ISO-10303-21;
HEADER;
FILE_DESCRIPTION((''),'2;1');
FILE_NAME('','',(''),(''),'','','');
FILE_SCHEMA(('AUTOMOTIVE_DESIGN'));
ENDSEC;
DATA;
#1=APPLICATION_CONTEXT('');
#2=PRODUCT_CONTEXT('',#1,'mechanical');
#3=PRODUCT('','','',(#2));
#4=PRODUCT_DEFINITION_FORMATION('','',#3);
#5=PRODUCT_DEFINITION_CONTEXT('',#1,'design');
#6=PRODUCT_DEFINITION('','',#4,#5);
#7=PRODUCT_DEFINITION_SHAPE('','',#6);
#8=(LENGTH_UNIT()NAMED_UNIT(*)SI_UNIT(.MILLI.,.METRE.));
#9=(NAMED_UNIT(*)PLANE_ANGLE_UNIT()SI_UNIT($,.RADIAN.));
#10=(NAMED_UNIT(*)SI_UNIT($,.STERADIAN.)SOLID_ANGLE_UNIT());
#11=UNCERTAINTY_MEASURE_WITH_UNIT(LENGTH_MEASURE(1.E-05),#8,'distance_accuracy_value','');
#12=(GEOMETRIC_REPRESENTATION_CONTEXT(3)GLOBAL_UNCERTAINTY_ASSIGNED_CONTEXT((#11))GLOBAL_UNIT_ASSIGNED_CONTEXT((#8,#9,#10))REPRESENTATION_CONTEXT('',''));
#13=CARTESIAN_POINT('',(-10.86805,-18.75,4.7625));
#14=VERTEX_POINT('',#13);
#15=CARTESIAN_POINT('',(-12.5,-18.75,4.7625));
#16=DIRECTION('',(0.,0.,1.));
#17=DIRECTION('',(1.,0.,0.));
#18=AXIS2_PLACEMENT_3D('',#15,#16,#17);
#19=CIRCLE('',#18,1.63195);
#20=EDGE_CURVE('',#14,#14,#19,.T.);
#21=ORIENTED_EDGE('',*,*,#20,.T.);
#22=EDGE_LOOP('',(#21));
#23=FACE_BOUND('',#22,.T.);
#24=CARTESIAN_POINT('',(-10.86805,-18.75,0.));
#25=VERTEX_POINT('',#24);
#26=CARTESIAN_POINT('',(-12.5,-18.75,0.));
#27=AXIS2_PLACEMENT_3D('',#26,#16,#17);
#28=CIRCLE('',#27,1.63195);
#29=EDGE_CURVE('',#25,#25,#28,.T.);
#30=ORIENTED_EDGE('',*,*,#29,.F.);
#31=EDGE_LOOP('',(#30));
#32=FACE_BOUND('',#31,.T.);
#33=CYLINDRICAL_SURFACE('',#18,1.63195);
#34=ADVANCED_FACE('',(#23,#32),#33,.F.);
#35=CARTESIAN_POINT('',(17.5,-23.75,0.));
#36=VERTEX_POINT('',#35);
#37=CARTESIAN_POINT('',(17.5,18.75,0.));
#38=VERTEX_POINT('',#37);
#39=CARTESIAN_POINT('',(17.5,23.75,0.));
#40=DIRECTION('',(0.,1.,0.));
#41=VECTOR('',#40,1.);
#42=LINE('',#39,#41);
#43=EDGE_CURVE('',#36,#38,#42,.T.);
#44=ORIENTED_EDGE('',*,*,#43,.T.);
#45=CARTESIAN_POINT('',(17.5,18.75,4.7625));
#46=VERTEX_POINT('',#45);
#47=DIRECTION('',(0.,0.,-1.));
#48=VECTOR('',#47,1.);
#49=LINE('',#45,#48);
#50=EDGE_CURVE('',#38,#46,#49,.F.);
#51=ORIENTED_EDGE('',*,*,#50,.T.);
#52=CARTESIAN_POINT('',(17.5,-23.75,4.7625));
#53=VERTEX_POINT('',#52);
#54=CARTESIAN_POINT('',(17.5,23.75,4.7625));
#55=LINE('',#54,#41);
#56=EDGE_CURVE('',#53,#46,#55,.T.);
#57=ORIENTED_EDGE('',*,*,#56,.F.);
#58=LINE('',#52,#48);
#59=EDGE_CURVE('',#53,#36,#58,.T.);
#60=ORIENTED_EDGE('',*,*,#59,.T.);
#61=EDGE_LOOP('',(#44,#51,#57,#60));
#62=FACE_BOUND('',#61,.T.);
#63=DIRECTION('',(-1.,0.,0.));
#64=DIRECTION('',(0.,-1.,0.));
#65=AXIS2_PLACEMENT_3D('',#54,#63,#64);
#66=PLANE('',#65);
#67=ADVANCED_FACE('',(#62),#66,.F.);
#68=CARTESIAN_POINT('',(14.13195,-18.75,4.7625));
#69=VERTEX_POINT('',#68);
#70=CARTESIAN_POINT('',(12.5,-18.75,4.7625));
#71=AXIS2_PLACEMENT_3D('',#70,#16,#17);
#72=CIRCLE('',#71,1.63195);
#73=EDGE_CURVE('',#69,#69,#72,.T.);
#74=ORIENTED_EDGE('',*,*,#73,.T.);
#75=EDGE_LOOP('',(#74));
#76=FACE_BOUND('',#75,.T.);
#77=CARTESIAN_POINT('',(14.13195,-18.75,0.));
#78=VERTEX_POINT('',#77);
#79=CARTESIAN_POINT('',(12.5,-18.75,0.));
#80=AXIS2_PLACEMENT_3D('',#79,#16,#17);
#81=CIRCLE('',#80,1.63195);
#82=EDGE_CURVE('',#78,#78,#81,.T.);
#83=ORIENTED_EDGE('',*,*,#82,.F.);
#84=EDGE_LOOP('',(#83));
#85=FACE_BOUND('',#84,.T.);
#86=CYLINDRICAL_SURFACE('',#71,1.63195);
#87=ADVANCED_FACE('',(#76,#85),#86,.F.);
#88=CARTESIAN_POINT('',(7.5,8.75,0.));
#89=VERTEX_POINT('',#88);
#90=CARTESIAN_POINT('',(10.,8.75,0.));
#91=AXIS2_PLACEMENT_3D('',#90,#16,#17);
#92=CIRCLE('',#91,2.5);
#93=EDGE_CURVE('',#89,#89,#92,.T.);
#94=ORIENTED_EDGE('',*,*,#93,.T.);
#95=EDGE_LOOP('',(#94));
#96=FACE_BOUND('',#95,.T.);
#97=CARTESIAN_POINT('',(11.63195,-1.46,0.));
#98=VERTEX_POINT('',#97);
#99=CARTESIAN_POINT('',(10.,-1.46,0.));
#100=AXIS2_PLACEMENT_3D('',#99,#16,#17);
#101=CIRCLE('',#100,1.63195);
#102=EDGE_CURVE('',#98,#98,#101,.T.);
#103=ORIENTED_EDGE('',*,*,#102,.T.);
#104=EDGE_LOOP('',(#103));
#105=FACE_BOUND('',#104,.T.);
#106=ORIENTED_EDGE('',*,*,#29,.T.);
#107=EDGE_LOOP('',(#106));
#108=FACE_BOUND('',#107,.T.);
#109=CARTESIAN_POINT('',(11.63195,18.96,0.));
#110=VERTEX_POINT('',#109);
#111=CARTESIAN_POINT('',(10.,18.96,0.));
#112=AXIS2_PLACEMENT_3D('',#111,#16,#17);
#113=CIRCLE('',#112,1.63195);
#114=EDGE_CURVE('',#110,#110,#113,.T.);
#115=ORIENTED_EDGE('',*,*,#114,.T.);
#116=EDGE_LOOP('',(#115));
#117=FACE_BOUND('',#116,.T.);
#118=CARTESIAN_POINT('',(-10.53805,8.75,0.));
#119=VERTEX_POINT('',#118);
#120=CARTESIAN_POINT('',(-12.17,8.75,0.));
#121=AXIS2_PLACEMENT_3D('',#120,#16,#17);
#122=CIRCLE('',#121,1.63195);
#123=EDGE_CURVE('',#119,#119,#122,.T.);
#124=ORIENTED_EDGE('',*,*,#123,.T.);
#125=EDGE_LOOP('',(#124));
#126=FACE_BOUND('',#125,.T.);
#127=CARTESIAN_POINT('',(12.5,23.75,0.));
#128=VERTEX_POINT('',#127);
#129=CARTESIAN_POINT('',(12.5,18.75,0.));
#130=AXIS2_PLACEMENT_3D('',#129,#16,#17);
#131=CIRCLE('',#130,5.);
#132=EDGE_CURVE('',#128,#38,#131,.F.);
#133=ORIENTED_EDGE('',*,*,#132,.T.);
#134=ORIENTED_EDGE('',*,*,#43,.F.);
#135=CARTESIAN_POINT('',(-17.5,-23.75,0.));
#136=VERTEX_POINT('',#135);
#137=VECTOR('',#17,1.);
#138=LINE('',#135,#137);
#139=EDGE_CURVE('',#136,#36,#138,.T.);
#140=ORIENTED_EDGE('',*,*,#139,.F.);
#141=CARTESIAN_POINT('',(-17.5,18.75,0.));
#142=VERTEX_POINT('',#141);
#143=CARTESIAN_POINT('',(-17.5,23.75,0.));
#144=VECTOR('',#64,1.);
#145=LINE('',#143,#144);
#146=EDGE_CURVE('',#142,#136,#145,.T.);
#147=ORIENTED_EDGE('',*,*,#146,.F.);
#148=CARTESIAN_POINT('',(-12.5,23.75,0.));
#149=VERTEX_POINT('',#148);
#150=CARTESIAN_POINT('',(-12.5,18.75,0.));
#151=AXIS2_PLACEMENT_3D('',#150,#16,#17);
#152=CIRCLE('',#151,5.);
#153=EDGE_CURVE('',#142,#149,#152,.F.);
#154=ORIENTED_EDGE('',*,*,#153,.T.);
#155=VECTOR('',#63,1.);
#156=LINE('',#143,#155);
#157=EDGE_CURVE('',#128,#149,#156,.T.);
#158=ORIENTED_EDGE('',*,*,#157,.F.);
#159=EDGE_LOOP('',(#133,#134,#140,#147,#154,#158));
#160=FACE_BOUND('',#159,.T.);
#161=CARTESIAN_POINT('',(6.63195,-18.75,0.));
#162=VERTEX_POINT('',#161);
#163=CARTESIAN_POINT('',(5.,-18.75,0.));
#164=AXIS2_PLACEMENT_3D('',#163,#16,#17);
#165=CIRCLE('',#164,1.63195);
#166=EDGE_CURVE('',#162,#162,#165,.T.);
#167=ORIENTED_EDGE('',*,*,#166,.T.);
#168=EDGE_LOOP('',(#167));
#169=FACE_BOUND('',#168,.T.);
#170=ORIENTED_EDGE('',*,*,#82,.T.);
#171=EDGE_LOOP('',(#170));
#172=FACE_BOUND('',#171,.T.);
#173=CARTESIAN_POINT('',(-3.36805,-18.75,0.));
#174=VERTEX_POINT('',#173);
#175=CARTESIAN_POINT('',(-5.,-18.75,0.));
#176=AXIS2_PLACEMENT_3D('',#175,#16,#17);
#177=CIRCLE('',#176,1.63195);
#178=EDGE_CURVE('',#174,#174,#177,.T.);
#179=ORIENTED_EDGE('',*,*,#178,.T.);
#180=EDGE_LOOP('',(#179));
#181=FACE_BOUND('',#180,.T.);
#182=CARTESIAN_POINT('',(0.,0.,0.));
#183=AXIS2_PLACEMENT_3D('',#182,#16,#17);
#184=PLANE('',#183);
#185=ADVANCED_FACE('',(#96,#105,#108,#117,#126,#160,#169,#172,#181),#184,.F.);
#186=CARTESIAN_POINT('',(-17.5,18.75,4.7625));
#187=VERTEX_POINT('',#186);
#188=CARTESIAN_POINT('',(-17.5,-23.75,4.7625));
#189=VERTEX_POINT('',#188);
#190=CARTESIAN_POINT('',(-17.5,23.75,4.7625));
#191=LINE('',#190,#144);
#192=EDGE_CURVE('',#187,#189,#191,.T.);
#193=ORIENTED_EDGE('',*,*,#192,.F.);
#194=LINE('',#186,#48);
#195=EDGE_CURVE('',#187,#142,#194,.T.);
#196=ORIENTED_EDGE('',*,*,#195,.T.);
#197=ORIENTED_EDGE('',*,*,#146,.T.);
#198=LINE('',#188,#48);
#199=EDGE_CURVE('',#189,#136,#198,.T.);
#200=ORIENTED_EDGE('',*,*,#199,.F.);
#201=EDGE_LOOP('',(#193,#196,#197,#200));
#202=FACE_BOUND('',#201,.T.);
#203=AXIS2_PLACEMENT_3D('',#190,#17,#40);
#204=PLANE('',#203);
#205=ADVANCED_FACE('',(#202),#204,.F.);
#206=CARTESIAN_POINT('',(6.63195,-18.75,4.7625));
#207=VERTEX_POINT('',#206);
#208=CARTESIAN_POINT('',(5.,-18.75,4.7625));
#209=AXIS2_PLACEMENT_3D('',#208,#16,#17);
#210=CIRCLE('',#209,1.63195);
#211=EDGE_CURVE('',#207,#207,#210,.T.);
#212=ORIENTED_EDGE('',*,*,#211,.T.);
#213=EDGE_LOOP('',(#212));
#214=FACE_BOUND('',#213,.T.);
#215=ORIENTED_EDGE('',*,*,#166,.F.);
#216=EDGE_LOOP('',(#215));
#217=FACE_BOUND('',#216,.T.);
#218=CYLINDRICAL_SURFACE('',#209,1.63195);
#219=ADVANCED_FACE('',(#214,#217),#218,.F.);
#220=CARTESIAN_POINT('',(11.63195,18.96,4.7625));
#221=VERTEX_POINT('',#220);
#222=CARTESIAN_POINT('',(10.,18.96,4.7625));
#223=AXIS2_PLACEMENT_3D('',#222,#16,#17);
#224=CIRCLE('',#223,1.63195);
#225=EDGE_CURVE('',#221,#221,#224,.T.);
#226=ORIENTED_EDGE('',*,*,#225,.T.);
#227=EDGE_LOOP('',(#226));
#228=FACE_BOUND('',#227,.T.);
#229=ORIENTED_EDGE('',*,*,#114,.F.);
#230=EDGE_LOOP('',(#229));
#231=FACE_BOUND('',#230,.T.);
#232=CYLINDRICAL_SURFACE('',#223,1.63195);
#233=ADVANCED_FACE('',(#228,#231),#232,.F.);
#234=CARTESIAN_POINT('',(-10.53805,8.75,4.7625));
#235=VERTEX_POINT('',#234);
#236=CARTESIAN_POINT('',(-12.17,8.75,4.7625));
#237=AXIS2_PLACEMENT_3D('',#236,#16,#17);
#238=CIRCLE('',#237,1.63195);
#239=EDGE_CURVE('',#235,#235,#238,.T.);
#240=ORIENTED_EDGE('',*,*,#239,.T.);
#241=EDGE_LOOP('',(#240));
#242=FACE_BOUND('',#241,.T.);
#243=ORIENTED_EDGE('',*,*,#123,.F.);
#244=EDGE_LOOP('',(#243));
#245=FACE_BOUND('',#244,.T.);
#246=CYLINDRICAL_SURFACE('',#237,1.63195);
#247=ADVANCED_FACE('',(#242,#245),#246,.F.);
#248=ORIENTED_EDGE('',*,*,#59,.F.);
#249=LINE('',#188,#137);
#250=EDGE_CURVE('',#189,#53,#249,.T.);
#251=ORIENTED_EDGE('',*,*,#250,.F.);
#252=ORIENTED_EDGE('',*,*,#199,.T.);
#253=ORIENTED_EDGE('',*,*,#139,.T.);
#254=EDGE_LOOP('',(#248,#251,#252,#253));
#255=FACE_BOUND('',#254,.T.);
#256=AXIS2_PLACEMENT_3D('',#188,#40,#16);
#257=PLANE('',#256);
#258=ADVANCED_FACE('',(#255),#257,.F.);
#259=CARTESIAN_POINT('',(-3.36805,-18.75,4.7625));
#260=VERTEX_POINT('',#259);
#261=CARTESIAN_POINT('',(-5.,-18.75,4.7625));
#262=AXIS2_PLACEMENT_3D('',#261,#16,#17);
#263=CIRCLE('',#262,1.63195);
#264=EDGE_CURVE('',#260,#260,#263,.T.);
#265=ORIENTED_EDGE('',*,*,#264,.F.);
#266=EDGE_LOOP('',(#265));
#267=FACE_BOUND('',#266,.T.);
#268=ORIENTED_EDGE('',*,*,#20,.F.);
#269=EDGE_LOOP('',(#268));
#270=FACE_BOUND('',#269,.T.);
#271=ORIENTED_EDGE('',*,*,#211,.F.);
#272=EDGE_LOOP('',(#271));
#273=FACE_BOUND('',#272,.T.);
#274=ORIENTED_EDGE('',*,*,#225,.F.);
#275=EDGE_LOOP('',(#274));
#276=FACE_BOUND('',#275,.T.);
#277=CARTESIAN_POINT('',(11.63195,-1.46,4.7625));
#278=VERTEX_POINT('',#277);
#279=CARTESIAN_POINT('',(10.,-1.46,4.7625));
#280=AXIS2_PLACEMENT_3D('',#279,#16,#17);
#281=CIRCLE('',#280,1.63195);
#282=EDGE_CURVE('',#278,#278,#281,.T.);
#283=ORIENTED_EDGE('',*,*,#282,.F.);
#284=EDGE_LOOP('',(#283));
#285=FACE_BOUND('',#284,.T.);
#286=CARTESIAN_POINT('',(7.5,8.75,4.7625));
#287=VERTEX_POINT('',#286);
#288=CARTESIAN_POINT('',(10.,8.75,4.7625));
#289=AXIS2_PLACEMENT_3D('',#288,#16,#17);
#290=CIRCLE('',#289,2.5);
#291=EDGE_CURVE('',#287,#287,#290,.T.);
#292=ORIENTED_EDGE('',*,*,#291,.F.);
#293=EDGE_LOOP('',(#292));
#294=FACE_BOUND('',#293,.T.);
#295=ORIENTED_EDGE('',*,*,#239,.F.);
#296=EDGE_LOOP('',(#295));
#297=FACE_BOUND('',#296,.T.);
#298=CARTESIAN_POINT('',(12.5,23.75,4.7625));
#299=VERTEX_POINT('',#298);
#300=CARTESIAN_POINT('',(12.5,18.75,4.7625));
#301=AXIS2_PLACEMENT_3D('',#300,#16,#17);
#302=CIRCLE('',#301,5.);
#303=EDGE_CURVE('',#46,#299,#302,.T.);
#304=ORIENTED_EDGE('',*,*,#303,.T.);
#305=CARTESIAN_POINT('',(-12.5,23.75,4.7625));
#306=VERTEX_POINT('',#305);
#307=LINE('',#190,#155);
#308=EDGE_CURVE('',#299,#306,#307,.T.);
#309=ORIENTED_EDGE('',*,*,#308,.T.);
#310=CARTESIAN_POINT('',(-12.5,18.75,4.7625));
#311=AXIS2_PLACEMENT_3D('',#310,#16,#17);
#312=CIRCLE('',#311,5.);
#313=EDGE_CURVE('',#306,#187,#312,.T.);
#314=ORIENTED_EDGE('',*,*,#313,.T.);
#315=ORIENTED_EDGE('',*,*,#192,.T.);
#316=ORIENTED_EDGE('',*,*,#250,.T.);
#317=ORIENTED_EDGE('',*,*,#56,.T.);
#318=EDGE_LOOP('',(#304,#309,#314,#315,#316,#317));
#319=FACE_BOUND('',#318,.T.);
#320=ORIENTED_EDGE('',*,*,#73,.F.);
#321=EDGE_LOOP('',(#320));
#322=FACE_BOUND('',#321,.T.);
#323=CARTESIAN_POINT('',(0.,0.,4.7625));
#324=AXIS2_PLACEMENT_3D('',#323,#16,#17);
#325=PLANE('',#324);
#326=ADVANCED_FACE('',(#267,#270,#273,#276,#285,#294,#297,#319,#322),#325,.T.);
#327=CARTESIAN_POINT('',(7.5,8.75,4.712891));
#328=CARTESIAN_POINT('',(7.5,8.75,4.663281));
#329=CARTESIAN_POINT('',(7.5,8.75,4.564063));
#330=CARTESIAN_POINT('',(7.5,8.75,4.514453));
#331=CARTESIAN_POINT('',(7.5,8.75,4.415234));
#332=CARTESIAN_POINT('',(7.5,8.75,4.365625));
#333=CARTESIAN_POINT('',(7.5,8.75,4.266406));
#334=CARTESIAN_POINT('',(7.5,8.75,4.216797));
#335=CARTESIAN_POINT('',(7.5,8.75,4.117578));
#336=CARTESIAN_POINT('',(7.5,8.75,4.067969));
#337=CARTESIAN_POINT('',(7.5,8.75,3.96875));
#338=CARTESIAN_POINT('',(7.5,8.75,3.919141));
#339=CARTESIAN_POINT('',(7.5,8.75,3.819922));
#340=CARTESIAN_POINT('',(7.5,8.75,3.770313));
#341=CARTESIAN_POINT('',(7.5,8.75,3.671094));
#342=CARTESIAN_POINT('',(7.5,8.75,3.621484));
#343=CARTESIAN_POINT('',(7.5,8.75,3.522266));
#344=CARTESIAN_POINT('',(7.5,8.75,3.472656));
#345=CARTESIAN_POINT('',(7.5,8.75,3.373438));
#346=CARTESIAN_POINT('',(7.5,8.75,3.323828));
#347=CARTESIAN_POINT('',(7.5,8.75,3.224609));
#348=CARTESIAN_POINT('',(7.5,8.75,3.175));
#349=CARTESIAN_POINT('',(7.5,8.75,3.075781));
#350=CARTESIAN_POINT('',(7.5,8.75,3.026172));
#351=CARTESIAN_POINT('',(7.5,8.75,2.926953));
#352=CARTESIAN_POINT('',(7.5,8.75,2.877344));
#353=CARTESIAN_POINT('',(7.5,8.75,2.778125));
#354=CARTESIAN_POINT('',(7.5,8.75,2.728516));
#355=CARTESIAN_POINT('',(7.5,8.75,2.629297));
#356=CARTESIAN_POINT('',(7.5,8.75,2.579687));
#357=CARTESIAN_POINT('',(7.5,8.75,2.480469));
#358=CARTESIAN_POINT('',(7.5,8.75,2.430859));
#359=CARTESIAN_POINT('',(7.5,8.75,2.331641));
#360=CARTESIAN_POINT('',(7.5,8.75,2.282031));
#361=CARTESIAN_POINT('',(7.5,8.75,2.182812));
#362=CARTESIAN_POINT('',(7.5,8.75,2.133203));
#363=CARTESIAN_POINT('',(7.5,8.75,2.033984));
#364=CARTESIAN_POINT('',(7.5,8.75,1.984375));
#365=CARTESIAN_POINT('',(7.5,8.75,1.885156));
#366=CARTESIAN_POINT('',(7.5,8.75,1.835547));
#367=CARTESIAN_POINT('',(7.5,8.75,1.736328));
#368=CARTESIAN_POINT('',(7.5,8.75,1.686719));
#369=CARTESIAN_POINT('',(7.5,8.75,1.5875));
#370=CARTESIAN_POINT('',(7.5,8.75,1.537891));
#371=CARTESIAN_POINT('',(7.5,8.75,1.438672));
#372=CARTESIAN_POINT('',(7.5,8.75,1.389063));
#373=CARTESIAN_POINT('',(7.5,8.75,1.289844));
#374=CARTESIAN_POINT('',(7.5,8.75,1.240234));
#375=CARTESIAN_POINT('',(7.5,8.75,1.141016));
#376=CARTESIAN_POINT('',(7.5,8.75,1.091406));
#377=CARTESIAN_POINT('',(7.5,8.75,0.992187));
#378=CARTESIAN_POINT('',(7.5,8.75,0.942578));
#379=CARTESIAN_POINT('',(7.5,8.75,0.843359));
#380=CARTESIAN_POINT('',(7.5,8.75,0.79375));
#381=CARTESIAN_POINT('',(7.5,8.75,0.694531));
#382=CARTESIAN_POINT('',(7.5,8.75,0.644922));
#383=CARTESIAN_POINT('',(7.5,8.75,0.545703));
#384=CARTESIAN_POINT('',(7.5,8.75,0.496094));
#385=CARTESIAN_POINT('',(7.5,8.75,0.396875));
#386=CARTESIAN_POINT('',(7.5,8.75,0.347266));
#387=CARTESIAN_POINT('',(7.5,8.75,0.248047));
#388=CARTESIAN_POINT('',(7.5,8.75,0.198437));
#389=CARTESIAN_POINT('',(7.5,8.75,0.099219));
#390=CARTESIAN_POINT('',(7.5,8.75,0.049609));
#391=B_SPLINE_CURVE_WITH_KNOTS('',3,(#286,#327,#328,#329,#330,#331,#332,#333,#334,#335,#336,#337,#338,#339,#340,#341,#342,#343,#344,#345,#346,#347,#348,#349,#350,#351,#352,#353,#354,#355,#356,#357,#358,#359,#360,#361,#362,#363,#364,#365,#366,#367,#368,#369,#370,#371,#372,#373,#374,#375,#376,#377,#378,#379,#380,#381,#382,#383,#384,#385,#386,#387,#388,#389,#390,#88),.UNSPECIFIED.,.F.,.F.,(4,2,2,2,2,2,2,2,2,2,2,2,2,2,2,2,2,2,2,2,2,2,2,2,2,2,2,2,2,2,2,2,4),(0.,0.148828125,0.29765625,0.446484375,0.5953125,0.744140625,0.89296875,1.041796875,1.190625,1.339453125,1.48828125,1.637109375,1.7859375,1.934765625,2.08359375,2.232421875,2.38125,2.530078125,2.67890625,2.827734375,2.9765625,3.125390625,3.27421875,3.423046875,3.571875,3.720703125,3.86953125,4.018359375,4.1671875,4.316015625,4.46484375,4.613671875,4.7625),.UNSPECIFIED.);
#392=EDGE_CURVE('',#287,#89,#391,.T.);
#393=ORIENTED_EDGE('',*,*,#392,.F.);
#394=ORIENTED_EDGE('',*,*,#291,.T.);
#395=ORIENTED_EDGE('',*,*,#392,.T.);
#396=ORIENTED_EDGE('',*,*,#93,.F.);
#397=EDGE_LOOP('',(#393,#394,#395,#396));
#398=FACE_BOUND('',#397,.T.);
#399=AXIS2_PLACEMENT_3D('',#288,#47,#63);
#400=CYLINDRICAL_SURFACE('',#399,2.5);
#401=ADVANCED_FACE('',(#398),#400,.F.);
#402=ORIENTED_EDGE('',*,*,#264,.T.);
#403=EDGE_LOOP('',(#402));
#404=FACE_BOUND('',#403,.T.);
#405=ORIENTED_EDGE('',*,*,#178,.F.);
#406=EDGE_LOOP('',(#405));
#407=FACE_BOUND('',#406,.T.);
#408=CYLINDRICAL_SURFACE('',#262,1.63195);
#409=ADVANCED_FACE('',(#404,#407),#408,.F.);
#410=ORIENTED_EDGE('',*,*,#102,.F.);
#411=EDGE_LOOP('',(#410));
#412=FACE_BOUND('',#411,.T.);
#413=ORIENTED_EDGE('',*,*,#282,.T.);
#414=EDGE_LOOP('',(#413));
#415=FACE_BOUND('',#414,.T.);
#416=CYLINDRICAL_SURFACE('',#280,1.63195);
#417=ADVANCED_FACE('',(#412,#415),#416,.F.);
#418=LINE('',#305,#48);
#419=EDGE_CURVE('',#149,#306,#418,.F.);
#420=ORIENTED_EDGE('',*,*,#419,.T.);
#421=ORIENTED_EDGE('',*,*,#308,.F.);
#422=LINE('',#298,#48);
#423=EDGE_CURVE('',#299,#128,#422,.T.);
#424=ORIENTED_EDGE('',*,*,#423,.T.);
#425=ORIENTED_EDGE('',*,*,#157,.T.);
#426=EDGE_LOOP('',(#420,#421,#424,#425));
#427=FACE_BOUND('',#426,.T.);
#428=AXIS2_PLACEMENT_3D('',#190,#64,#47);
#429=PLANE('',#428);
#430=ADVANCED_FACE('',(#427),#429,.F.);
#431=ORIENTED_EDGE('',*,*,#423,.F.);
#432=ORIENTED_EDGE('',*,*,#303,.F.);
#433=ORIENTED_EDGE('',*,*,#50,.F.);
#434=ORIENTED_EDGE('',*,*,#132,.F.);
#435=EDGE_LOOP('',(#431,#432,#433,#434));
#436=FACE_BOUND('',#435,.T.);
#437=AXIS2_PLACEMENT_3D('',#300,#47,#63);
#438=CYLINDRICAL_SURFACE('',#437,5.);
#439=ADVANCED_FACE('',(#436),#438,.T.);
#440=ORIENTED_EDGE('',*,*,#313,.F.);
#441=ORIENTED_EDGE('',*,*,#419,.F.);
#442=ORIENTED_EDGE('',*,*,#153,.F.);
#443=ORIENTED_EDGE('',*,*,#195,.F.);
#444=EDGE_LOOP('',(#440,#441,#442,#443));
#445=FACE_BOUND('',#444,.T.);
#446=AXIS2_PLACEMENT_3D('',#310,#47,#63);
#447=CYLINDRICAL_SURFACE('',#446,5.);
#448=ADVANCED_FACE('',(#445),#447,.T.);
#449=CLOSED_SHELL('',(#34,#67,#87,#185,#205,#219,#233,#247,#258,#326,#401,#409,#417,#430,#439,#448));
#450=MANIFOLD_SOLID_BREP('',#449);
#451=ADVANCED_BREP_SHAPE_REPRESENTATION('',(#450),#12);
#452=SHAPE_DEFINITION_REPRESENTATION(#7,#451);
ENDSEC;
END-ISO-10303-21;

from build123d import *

# Parameters (mm, degrees)
SKETCH1_W             = 35
SKETCH1_H             = 47.5
SKETCH1_R             = 2.5
BOSS_EXTRUDE1_DEPTH   = 4.7625
F_4_CLEARANCE_HOLE1_D = 3.2639
FILLET1_R             = 5
F_4_CLEARANCE_HOLE2_D = 3.2639


with BuildPart() as part:
    # Sketch1 → Boss-Extrude1 (new body)
    with BuildSketch(Plane.XY):
        Rectangle(SKETCH1_W, SKETCH1_H)
        with Locations(Location((10, 8.75, 0), (0, 0, 180))):
            Circle(SKETCH1_R, mode=Mode.SUBTRACT)
    extrude(amount=BOSS_EXTRUDE1_DEPTH)

    # #4 Clearance Hole1 (through all)
    with Locations(Plane.XY.offset(4.7625)):
        with Locations((10, 18.96), (10, -1.46), (-12.17, 8.75)):
            Hole(F_4_CLEARANCE_HOLE1_D / 2)

    # Fillet1
    fillet1_edges = [part.edges().sort_by_distance(p)[0] for p in [
        (-17.5, 23.75, 2.38125),
        (17.5, 23.75, 2.38125),
    ]]
    fillet(fillet1_edges, radius=FILLET1_R)

    # #4 Clearance Hole2 (through all)
    with Locations(Plane.XY.offset(4.7625)):
        with Locations((-12.5, -18.75), (12.5, -18.75), (-5, -18.75), (5, -18.75)):
            Hole(F_4_CLEARANCE_HOLE2_D / 2)


solid = part.part
